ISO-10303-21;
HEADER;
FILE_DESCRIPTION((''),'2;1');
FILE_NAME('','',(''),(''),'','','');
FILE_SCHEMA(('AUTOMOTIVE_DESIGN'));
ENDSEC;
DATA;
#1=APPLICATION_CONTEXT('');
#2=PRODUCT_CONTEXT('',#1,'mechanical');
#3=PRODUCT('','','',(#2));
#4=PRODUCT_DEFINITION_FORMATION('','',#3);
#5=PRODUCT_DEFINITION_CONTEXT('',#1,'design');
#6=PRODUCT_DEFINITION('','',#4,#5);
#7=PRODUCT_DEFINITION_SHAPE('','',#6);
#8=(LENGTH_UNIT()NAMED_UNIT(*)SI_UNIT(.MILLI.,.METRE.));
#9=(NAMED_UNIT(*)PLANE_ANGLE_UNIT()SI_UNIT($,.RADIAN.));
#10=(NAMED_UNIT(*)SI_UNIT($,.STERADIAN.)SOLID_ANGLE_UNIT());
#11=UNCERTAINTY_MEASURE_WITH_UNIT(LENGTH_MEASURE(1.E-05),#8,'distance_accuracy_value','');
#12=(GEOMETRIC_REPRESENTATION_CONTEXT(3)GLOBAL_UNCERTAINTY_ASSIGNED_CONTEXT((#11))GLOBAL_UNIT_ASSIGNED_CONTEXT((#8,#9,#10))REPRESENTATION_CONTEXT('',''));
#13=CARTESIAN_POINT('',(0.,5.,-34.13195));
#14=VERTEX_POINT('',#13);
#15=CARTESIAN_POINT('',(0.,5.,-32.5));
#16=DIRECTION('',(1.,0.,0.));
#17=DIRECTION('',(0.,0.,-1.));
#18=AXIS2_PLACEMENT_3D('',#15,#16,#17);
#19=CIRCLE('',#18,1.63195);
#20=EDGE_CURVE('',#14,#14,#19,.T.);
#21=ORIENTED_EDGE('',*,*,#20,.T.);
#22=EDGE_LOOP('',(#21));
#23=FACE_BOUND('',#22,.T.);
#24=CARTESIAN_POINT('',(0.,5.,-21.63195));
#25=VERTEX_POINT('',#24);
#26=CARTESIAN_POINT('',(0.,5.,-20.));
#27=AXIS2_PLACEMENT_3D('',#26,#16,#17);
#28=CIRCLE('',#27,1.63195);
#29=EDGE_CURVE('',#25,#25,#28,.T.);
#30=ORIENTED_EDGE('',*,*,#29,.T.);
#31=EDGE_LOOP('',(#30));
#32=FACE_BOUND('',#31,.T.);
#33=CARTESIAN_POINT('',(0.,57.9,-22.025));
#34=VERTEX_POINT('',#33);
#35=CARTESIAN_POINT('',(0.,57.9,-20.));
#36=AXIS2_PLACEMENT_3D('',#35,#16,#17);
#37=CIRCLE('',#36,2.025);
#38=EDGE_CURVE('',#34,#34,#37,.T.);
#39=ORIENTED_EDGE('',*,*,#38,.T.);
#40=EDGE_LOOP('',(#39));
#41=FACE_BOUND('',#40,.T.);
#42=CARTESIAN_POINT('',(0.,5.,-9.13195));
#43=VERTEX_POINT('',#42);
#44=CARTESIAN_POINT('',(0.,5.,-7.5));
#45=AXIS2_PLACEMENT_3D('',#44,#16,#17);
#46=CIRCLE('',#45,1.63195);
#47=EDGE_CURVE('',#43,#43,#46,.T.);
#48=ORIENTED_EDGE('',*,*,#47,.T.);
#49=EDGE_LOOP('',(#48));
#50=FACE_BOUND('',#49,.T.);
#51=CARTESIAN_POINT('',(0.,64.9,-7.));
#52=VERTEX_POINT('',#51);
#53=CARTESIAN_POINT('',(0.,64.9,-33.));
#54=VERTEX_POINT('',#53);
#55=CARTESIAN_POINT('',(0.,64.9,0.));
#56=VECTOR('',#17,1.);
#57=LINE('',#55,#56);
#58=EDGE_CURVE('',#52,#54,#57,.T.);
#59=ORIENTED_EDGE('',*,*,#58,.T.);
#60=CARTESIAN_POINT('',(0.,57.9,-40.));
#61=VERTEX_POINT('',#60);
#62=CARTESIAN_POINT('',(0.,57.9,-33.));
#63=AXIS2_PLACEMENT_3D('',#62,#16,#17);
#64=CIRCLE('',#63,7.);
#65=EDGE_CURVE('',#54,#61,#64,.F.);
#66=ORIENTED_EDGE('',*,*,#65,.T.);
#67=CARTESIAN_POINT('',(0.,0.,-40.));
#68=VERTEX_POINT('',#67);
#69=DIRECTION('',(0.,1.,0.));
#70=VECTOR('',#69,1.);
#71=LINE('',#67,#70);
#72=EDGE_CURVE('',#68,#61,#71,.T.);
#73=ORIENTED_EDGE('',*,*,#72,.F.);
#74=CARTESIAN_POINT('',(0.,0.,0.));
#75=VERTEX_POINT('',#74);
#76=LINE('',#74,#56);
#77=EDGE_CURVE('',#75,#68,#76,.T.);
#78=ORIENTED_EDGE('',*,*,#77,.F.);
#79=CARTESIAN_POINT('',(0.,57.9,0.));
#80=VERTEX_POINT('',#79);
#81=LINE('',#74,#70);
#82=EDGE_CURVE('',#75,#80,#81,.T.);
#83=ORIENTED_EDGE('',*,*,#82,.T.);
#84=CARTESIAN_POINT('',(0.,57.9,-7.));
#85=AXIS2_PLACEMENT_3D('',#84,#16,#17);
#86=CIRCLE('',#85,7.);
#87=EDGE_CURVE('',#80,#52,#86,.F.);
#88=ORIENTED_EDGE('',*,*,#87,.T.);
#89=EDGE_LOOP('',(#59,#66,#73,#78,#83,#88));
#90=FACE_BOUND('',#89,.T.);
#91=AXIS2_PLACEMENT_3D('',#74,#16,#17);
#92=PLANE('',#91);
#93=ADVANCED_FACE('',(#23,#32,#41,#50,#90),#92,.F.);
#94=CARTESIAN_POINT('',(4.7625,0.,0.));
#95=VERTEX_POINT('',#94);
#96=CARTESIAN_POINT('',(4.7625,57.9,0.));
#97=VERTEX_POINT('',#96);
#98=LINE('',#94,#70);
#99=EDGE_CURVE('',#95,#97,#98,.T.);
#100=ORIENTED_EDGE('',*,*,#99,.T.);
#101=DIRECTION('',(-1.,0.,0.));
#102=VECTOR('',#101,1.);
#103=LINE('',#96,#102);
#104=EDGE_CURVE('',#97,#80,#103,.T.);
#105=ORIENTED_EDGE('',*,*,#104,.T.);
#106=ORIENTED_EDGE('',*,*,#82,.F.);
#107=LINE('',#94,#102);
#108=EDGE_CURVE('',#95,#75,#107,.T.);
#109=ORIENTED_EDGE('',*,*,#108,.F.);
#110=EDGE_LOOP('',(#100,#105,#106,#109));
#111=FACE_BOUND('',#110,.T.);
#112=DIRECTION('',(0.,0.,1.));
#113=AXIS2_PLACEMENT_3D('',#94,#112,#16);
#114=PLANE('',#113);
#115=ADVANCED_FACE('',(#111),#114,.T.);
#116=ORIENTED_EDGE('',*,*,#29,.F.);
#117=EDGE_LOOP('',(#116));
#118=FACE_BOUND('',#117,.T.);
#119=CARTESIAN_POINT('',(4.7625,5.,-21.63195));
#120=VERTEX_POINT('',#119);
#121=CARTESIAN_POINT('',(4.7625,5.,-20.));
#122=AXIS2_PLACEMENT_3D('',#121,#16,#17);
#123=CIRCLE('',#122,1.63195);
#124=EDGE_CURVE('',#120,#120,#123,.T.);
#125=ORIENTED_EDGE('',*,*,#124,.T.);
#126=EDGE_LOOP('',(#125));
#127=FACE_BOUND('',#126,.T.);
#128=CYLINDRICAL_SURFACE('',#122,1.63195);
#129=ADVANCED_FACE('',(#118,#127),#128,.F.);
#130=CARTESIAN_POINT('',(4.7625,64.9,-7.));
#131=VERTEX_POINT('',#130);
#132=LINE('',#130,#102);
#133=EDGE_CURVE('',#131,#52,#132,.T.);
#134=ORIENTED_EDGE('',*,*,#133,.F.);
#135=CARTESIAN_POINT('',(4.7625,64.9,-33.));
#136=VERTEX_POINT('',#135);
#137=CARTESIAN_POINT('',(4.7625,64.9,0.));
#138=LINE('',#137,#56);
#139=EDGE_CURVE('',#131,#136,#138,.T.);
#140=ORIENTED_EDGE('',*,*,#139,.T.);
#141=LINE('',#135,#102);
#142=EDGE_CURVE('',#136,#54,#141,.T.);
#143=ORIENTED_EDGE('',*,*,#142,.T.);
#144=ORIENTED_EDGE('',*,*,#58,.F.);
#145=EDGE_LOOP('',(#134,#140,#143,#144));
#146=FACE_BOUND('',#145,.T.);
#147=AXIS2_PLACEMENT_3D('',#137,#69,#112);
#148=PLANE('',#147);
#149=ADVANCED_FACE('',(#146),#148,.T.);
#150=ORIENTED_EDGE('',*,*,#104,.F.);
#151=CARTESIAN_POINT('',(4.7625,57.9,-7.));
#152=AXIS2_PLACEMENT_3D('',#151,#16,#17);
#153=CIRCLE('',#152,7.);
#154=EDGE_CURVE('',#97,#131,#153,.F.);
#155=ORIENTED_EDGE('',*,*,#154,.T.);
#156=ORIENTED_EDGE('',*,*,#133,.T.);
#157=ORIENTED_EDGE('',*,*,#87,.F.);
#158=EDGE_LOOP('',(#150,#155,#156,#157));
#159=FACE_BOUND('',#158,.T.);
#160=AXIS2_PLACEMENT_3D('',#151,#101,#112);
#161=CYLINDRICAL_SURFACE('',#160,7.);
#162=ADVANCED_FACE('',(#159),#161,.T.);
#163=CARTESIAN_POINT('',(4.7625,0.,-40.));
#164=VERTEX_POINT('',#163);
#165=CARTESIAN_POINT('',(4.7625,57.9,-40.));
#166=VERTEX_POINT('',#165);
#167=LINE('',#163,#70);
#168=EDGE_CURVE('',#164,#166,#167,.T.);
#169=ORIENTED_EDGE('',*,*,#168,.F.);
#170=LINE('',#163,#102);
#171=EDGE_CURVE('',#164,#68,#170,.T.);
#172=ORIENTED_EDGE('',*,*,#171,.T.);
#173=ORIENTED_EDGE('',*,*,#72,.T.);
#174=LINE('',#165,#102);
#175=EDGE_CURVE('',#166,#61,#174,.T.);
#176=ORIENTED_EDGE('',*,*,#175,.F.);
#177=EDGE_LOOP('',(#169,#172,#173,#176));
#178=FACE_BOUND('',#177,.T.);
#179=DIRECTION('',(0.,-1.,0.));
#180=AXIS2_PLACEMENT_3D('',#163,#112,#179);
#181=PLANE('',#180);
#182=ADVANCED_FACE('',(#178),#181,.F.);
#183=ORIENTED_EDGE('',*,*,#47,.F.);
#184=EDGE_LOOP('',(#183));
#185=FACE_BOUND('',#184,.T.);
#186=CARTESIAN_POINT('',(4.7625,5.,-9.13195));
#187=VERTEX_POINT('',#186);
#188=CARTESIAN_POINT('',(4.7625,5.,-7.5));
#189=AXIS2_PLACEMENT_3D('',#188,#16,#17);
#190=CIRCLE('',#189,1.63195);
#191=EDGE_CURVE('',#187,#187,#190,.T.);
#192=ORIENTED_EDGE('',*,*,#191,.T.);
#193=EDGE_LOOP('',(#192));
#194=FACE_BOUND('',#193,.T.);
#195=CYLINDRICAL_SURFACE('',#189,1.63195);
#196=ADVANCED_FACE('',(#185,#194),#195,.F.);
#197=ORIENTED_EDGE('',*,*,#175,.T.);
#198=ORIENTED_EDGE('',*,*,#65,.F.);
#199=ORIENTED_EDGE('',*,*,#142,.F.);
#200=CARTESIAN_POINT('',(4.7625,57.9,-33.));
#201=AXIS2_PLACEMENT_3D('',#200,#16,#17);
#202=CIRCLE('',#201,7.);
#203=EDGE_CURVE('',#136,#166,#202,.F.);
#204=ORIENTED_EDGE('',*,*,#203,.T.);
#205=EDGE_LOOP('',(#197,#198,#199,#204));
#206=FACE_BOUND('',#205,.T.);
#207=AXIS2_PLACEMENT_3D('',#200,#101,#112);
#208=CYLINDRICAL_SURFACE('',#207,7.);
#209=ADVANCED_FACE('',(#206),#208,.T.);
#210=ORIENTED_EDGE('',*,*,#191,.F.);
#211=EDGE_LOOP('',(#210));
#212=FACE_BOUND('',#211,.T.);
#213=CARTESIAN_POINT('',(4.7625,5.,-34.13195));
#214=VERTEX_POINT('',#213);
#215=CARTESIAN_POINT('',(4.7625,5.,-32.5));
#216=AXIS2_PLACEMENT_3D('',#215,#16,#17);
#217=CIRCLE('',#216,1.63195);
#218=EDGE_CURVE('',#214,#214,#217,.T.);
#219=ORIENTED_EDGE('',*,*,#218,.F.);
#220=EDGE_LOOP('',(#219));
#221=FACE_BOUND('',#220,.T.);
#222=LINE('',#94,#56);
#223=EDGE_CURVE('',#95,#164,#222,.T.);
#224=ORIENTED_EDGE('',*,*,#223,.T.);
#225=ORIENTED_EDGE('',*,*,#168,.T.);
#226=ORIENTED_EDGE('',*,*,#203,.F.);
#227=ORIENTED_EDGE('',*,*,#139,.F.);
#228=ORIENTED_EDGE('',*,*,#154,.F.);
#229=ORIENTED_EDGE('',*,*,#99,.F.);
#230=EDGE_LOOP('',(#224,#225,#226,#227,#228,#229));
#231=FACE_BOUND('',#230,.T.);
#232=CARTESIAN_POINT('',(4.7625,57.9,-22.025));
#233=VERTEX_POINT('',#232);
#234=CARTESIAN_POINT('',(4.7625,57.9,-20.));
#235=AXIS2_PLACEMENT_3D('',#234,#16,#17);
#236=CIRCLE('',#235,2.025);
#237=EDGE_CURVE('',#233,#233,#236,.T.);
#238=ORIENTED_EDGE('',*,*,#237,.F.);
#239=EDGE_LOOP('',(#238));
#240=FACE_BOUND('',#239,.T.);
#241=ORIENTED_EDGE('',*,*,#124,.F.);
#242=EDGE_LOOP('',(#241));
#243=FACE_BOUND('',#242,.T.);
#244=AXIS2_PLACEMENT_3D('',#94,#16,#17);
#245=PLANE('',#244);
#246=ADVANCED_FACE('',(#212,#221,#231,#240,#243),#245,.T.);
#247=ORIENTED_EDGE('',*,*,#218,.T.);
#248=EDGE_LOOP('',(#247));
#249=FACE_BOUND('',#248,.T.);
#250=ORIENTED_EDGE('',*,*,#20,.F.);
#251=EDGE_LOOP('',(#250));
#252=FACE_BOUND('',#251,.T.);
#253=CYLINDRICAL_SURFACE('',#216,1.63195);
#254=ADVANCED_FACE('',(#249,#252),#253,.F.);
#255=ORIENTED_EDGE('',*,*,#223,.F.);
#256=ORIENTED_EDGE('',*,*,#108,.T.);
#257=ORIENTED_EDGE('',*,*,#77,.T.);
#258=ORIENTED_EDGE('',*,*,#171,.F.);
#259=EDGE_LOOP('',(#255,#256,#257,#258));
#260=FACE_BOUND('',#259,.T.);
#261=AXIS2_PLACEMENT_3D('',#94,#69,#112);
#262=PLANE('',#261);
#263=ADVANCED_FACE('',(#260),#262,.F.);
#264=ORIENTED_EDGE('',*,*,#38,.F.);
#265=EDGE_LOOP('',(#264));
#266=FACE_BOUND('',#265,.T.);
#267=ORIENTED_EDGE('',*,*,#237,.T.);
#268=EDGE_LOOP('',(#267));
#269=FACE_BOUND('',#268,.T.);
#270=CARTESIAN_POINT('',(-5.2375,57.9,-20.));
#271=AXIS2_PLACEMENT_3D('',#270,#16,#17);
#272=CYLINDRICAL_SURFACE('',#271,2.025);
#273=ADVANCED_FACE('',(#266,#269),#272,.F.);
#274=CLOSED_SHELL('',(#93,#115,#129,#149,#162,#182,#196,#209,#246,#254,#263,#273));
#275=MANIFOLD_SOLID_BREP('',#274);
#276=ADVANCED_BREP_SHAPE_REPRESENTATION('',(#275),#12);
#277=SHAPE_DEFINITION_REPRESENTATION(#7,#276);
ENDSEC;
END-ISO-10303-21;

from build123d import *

# Parameters (mm, degrees)
BOSS_EXTRUDE1_DEPTH   = 4.7625
F_4_CLEARANCE_HOLE1_D = 3.2639
SKETCH10_R            = 2.025
CUT_EXTRUDE1_DEPTH    = 10


with BuildPart() as part:
    # Sketch1 → Boss-Extrude1 (new body)
    with BuildSketch(Plane(origin=(0, 0, 0), x_dir=(0, 0, -1), z_dir=(1, 0, 0))):
        with BuildLine():
            Line((0, 0), (40, 0))
            Line((40, 0), (40, 57.9))
            ThreePointArc((40, 57.9), (37.949747468, 62.849747468), (33, 64.9))
            Line((33, 64.9), (7, 64.9))
            ThreePointArc((7, 64.9), (2.050252532, 62.849747468), (0, 57.9))
            Line((0, 57.9), (0, 0))
        make_face()
    extrude(amount=BOSS_EXTRUDE1_DEPTH)

    # #4 Clearance Hole1 (through all)
    with Locations(Plane(origin=(4.7625, 0, 0), x_dir=(0, 0, -1), z_dir=(1, 0, 0))):
        with Locations((7.5, 5), (20, 5), (32.5, 5)):
            Hole(F_4_CLEARANCE_HOLE1_D / 2)

    # Sketch10 → Cut-Extrude1 (cut)
    with BuildSketch(Plane(origin=(4.7625, 0, 0), x_dir=(0, 0, -1), z_dir=(1, 0, 0))):
        with Locations((20, 57.9)):
            Circle(SKETCH10_R)
    extrude(amount=-CUT_EXTRUDE1_DEPTH, mode=Mode.SUBTRACT)


solid = part.part
